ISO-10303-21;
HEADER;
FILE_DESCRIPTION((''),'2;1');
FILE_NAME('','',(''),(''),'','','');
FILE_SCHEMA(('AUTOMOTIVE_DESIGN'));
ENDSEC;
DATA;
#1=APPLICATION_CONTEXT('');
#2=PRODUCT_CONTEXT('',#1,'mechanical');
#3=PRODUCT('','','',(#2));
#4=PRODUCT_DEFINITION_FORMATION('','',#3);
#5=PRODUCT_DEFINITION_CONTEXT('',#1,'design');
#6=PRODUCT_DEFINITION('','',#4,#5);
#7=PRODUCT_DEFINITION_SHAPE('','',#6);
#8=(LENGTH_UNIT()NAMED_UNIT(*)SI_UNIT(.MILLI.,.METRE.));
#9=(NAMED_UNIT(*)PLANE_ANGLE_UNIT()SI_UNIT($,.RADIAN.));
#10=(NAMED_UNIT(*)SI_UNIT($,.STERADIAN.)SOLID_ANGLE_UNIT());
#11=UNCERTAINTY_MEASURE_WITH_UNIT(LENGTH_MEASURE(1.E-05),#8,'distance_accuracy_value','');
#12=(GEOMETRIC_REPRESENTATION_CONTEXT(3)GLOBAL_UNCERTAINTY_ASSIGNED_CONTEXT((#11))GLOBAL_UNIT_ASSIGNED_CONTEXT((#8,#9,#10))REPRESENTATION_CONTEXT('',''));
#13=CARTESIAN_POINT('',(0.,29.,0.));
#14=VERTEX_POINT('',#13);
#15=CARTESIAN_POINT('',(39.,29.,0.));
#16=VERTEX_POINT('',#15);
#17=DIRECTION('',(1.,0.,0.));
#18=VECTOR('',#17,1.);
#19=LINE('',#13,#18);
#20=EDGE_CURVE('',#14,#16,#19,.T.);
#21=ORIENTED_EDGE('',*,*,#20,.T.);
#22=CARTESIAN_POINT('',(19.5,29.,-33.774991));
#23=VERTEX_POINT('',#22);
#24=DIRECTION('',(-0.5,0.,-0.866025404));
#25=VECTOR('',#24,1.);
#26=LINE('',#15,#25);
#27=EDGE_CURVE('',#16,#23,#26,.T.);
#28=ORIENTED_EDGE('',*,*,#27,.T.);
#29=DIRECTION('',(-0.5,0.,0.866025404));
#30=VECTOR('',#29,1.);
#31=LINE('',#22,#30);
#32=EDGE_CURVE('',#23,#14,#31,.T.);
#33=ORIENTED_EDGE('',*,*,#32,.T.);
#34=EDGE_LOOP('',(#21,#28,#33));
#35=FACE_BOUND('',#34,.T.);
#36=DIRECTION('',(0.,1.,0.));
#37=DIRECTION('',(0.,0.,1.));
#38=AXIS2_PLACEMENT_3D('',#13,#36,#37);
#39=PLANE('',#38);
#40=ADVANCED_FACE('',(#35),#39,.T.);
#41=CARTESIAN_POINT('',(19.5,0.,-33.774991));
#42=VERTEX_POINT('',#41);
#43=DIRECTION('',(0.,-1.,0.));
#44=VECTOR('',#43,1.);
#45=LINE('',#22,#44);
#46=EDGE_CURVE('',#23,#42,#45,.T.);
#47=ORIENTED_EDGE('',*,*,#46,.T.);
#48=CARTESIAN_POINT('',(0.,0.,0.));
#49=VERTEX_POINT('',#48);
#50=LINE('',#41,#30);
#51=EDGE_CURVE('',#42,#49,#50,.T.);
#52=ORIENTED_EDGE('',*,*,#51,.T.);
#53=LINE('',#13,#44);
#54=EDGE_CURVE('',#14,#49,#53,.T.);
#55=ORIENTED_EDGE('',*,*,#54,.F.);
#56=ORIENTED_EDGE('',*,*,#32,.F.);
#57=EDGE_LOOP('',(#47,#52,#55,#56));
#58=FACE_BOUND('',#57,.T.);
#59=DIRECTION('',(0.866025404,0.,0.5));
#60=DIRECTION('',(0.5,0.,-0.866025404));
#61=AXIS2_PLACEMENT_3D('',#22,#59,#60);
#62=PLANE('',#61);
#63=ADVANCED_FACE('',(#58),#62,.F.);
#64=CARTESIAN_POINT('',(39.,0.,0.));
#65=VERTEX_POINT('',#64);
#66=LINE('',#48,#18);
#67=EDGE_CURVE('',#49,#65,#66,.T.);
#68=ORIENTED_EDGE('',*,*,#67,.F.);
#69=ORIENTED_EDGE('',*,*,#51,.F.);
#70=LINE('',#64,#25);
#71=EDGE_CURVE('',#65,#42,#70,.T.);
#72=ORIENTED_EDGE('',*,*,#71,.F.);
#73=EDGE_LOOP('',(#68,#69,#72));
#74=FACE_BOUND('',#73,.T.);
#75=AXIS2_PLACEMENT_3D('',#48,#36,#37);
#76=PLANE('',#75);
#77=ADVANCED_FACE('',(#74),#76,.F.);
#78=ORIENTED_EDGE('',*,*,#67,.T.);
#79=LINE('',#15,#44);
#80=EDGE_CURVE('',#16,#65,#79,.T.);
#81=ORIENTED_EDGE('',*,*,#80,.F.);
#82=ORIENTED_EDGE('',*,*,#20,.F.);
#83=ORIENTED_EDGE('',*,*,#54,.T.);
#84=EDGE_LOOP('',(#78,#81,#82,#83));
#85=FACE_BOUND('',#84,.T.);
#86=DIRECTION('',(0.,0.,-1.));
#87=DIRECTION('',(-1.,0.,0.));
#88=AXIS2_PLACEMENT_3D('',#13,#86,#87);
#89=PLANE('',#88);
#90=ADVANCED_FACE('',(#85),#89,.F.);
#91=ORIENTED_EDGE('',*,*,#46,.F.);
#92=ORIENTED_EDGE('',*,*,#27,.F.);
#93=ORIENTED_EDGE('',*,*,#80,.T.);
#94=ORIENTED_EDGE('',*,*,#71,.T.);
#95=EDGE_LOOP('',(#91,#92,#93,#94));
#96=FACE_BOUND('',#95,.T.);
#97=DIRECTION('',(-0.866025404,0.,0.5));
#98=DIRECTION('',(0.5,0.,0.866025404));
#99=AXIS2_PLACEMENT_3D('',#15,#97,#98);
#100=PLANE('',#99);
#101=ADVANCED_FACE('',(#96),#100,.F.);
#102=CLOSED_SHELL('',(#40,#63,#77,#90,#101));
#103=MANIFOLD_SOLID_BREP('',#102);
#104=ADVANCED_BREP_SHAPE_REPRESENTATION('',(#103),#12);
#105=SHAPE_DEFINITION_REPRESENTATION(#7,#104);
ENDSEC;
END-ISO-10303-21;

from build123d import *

# Parameters (mm, degrees)
EXTRUDE_1_DEPTH = 29


with BuildPart() as part:
    # 草圖1 → 填料-伸長1 (new body)
    with BuildSketch(Plane(origin=(0, 0, 0), x_dir=(1, 0, 0), z_dir=(0, 1, 0))):
        Polygon((0, 0), (39, 0), (19.5, 33.774990748), align=None)
    extrude(amount=EXTRUDE_1_DEPTH)


solid = part.part
